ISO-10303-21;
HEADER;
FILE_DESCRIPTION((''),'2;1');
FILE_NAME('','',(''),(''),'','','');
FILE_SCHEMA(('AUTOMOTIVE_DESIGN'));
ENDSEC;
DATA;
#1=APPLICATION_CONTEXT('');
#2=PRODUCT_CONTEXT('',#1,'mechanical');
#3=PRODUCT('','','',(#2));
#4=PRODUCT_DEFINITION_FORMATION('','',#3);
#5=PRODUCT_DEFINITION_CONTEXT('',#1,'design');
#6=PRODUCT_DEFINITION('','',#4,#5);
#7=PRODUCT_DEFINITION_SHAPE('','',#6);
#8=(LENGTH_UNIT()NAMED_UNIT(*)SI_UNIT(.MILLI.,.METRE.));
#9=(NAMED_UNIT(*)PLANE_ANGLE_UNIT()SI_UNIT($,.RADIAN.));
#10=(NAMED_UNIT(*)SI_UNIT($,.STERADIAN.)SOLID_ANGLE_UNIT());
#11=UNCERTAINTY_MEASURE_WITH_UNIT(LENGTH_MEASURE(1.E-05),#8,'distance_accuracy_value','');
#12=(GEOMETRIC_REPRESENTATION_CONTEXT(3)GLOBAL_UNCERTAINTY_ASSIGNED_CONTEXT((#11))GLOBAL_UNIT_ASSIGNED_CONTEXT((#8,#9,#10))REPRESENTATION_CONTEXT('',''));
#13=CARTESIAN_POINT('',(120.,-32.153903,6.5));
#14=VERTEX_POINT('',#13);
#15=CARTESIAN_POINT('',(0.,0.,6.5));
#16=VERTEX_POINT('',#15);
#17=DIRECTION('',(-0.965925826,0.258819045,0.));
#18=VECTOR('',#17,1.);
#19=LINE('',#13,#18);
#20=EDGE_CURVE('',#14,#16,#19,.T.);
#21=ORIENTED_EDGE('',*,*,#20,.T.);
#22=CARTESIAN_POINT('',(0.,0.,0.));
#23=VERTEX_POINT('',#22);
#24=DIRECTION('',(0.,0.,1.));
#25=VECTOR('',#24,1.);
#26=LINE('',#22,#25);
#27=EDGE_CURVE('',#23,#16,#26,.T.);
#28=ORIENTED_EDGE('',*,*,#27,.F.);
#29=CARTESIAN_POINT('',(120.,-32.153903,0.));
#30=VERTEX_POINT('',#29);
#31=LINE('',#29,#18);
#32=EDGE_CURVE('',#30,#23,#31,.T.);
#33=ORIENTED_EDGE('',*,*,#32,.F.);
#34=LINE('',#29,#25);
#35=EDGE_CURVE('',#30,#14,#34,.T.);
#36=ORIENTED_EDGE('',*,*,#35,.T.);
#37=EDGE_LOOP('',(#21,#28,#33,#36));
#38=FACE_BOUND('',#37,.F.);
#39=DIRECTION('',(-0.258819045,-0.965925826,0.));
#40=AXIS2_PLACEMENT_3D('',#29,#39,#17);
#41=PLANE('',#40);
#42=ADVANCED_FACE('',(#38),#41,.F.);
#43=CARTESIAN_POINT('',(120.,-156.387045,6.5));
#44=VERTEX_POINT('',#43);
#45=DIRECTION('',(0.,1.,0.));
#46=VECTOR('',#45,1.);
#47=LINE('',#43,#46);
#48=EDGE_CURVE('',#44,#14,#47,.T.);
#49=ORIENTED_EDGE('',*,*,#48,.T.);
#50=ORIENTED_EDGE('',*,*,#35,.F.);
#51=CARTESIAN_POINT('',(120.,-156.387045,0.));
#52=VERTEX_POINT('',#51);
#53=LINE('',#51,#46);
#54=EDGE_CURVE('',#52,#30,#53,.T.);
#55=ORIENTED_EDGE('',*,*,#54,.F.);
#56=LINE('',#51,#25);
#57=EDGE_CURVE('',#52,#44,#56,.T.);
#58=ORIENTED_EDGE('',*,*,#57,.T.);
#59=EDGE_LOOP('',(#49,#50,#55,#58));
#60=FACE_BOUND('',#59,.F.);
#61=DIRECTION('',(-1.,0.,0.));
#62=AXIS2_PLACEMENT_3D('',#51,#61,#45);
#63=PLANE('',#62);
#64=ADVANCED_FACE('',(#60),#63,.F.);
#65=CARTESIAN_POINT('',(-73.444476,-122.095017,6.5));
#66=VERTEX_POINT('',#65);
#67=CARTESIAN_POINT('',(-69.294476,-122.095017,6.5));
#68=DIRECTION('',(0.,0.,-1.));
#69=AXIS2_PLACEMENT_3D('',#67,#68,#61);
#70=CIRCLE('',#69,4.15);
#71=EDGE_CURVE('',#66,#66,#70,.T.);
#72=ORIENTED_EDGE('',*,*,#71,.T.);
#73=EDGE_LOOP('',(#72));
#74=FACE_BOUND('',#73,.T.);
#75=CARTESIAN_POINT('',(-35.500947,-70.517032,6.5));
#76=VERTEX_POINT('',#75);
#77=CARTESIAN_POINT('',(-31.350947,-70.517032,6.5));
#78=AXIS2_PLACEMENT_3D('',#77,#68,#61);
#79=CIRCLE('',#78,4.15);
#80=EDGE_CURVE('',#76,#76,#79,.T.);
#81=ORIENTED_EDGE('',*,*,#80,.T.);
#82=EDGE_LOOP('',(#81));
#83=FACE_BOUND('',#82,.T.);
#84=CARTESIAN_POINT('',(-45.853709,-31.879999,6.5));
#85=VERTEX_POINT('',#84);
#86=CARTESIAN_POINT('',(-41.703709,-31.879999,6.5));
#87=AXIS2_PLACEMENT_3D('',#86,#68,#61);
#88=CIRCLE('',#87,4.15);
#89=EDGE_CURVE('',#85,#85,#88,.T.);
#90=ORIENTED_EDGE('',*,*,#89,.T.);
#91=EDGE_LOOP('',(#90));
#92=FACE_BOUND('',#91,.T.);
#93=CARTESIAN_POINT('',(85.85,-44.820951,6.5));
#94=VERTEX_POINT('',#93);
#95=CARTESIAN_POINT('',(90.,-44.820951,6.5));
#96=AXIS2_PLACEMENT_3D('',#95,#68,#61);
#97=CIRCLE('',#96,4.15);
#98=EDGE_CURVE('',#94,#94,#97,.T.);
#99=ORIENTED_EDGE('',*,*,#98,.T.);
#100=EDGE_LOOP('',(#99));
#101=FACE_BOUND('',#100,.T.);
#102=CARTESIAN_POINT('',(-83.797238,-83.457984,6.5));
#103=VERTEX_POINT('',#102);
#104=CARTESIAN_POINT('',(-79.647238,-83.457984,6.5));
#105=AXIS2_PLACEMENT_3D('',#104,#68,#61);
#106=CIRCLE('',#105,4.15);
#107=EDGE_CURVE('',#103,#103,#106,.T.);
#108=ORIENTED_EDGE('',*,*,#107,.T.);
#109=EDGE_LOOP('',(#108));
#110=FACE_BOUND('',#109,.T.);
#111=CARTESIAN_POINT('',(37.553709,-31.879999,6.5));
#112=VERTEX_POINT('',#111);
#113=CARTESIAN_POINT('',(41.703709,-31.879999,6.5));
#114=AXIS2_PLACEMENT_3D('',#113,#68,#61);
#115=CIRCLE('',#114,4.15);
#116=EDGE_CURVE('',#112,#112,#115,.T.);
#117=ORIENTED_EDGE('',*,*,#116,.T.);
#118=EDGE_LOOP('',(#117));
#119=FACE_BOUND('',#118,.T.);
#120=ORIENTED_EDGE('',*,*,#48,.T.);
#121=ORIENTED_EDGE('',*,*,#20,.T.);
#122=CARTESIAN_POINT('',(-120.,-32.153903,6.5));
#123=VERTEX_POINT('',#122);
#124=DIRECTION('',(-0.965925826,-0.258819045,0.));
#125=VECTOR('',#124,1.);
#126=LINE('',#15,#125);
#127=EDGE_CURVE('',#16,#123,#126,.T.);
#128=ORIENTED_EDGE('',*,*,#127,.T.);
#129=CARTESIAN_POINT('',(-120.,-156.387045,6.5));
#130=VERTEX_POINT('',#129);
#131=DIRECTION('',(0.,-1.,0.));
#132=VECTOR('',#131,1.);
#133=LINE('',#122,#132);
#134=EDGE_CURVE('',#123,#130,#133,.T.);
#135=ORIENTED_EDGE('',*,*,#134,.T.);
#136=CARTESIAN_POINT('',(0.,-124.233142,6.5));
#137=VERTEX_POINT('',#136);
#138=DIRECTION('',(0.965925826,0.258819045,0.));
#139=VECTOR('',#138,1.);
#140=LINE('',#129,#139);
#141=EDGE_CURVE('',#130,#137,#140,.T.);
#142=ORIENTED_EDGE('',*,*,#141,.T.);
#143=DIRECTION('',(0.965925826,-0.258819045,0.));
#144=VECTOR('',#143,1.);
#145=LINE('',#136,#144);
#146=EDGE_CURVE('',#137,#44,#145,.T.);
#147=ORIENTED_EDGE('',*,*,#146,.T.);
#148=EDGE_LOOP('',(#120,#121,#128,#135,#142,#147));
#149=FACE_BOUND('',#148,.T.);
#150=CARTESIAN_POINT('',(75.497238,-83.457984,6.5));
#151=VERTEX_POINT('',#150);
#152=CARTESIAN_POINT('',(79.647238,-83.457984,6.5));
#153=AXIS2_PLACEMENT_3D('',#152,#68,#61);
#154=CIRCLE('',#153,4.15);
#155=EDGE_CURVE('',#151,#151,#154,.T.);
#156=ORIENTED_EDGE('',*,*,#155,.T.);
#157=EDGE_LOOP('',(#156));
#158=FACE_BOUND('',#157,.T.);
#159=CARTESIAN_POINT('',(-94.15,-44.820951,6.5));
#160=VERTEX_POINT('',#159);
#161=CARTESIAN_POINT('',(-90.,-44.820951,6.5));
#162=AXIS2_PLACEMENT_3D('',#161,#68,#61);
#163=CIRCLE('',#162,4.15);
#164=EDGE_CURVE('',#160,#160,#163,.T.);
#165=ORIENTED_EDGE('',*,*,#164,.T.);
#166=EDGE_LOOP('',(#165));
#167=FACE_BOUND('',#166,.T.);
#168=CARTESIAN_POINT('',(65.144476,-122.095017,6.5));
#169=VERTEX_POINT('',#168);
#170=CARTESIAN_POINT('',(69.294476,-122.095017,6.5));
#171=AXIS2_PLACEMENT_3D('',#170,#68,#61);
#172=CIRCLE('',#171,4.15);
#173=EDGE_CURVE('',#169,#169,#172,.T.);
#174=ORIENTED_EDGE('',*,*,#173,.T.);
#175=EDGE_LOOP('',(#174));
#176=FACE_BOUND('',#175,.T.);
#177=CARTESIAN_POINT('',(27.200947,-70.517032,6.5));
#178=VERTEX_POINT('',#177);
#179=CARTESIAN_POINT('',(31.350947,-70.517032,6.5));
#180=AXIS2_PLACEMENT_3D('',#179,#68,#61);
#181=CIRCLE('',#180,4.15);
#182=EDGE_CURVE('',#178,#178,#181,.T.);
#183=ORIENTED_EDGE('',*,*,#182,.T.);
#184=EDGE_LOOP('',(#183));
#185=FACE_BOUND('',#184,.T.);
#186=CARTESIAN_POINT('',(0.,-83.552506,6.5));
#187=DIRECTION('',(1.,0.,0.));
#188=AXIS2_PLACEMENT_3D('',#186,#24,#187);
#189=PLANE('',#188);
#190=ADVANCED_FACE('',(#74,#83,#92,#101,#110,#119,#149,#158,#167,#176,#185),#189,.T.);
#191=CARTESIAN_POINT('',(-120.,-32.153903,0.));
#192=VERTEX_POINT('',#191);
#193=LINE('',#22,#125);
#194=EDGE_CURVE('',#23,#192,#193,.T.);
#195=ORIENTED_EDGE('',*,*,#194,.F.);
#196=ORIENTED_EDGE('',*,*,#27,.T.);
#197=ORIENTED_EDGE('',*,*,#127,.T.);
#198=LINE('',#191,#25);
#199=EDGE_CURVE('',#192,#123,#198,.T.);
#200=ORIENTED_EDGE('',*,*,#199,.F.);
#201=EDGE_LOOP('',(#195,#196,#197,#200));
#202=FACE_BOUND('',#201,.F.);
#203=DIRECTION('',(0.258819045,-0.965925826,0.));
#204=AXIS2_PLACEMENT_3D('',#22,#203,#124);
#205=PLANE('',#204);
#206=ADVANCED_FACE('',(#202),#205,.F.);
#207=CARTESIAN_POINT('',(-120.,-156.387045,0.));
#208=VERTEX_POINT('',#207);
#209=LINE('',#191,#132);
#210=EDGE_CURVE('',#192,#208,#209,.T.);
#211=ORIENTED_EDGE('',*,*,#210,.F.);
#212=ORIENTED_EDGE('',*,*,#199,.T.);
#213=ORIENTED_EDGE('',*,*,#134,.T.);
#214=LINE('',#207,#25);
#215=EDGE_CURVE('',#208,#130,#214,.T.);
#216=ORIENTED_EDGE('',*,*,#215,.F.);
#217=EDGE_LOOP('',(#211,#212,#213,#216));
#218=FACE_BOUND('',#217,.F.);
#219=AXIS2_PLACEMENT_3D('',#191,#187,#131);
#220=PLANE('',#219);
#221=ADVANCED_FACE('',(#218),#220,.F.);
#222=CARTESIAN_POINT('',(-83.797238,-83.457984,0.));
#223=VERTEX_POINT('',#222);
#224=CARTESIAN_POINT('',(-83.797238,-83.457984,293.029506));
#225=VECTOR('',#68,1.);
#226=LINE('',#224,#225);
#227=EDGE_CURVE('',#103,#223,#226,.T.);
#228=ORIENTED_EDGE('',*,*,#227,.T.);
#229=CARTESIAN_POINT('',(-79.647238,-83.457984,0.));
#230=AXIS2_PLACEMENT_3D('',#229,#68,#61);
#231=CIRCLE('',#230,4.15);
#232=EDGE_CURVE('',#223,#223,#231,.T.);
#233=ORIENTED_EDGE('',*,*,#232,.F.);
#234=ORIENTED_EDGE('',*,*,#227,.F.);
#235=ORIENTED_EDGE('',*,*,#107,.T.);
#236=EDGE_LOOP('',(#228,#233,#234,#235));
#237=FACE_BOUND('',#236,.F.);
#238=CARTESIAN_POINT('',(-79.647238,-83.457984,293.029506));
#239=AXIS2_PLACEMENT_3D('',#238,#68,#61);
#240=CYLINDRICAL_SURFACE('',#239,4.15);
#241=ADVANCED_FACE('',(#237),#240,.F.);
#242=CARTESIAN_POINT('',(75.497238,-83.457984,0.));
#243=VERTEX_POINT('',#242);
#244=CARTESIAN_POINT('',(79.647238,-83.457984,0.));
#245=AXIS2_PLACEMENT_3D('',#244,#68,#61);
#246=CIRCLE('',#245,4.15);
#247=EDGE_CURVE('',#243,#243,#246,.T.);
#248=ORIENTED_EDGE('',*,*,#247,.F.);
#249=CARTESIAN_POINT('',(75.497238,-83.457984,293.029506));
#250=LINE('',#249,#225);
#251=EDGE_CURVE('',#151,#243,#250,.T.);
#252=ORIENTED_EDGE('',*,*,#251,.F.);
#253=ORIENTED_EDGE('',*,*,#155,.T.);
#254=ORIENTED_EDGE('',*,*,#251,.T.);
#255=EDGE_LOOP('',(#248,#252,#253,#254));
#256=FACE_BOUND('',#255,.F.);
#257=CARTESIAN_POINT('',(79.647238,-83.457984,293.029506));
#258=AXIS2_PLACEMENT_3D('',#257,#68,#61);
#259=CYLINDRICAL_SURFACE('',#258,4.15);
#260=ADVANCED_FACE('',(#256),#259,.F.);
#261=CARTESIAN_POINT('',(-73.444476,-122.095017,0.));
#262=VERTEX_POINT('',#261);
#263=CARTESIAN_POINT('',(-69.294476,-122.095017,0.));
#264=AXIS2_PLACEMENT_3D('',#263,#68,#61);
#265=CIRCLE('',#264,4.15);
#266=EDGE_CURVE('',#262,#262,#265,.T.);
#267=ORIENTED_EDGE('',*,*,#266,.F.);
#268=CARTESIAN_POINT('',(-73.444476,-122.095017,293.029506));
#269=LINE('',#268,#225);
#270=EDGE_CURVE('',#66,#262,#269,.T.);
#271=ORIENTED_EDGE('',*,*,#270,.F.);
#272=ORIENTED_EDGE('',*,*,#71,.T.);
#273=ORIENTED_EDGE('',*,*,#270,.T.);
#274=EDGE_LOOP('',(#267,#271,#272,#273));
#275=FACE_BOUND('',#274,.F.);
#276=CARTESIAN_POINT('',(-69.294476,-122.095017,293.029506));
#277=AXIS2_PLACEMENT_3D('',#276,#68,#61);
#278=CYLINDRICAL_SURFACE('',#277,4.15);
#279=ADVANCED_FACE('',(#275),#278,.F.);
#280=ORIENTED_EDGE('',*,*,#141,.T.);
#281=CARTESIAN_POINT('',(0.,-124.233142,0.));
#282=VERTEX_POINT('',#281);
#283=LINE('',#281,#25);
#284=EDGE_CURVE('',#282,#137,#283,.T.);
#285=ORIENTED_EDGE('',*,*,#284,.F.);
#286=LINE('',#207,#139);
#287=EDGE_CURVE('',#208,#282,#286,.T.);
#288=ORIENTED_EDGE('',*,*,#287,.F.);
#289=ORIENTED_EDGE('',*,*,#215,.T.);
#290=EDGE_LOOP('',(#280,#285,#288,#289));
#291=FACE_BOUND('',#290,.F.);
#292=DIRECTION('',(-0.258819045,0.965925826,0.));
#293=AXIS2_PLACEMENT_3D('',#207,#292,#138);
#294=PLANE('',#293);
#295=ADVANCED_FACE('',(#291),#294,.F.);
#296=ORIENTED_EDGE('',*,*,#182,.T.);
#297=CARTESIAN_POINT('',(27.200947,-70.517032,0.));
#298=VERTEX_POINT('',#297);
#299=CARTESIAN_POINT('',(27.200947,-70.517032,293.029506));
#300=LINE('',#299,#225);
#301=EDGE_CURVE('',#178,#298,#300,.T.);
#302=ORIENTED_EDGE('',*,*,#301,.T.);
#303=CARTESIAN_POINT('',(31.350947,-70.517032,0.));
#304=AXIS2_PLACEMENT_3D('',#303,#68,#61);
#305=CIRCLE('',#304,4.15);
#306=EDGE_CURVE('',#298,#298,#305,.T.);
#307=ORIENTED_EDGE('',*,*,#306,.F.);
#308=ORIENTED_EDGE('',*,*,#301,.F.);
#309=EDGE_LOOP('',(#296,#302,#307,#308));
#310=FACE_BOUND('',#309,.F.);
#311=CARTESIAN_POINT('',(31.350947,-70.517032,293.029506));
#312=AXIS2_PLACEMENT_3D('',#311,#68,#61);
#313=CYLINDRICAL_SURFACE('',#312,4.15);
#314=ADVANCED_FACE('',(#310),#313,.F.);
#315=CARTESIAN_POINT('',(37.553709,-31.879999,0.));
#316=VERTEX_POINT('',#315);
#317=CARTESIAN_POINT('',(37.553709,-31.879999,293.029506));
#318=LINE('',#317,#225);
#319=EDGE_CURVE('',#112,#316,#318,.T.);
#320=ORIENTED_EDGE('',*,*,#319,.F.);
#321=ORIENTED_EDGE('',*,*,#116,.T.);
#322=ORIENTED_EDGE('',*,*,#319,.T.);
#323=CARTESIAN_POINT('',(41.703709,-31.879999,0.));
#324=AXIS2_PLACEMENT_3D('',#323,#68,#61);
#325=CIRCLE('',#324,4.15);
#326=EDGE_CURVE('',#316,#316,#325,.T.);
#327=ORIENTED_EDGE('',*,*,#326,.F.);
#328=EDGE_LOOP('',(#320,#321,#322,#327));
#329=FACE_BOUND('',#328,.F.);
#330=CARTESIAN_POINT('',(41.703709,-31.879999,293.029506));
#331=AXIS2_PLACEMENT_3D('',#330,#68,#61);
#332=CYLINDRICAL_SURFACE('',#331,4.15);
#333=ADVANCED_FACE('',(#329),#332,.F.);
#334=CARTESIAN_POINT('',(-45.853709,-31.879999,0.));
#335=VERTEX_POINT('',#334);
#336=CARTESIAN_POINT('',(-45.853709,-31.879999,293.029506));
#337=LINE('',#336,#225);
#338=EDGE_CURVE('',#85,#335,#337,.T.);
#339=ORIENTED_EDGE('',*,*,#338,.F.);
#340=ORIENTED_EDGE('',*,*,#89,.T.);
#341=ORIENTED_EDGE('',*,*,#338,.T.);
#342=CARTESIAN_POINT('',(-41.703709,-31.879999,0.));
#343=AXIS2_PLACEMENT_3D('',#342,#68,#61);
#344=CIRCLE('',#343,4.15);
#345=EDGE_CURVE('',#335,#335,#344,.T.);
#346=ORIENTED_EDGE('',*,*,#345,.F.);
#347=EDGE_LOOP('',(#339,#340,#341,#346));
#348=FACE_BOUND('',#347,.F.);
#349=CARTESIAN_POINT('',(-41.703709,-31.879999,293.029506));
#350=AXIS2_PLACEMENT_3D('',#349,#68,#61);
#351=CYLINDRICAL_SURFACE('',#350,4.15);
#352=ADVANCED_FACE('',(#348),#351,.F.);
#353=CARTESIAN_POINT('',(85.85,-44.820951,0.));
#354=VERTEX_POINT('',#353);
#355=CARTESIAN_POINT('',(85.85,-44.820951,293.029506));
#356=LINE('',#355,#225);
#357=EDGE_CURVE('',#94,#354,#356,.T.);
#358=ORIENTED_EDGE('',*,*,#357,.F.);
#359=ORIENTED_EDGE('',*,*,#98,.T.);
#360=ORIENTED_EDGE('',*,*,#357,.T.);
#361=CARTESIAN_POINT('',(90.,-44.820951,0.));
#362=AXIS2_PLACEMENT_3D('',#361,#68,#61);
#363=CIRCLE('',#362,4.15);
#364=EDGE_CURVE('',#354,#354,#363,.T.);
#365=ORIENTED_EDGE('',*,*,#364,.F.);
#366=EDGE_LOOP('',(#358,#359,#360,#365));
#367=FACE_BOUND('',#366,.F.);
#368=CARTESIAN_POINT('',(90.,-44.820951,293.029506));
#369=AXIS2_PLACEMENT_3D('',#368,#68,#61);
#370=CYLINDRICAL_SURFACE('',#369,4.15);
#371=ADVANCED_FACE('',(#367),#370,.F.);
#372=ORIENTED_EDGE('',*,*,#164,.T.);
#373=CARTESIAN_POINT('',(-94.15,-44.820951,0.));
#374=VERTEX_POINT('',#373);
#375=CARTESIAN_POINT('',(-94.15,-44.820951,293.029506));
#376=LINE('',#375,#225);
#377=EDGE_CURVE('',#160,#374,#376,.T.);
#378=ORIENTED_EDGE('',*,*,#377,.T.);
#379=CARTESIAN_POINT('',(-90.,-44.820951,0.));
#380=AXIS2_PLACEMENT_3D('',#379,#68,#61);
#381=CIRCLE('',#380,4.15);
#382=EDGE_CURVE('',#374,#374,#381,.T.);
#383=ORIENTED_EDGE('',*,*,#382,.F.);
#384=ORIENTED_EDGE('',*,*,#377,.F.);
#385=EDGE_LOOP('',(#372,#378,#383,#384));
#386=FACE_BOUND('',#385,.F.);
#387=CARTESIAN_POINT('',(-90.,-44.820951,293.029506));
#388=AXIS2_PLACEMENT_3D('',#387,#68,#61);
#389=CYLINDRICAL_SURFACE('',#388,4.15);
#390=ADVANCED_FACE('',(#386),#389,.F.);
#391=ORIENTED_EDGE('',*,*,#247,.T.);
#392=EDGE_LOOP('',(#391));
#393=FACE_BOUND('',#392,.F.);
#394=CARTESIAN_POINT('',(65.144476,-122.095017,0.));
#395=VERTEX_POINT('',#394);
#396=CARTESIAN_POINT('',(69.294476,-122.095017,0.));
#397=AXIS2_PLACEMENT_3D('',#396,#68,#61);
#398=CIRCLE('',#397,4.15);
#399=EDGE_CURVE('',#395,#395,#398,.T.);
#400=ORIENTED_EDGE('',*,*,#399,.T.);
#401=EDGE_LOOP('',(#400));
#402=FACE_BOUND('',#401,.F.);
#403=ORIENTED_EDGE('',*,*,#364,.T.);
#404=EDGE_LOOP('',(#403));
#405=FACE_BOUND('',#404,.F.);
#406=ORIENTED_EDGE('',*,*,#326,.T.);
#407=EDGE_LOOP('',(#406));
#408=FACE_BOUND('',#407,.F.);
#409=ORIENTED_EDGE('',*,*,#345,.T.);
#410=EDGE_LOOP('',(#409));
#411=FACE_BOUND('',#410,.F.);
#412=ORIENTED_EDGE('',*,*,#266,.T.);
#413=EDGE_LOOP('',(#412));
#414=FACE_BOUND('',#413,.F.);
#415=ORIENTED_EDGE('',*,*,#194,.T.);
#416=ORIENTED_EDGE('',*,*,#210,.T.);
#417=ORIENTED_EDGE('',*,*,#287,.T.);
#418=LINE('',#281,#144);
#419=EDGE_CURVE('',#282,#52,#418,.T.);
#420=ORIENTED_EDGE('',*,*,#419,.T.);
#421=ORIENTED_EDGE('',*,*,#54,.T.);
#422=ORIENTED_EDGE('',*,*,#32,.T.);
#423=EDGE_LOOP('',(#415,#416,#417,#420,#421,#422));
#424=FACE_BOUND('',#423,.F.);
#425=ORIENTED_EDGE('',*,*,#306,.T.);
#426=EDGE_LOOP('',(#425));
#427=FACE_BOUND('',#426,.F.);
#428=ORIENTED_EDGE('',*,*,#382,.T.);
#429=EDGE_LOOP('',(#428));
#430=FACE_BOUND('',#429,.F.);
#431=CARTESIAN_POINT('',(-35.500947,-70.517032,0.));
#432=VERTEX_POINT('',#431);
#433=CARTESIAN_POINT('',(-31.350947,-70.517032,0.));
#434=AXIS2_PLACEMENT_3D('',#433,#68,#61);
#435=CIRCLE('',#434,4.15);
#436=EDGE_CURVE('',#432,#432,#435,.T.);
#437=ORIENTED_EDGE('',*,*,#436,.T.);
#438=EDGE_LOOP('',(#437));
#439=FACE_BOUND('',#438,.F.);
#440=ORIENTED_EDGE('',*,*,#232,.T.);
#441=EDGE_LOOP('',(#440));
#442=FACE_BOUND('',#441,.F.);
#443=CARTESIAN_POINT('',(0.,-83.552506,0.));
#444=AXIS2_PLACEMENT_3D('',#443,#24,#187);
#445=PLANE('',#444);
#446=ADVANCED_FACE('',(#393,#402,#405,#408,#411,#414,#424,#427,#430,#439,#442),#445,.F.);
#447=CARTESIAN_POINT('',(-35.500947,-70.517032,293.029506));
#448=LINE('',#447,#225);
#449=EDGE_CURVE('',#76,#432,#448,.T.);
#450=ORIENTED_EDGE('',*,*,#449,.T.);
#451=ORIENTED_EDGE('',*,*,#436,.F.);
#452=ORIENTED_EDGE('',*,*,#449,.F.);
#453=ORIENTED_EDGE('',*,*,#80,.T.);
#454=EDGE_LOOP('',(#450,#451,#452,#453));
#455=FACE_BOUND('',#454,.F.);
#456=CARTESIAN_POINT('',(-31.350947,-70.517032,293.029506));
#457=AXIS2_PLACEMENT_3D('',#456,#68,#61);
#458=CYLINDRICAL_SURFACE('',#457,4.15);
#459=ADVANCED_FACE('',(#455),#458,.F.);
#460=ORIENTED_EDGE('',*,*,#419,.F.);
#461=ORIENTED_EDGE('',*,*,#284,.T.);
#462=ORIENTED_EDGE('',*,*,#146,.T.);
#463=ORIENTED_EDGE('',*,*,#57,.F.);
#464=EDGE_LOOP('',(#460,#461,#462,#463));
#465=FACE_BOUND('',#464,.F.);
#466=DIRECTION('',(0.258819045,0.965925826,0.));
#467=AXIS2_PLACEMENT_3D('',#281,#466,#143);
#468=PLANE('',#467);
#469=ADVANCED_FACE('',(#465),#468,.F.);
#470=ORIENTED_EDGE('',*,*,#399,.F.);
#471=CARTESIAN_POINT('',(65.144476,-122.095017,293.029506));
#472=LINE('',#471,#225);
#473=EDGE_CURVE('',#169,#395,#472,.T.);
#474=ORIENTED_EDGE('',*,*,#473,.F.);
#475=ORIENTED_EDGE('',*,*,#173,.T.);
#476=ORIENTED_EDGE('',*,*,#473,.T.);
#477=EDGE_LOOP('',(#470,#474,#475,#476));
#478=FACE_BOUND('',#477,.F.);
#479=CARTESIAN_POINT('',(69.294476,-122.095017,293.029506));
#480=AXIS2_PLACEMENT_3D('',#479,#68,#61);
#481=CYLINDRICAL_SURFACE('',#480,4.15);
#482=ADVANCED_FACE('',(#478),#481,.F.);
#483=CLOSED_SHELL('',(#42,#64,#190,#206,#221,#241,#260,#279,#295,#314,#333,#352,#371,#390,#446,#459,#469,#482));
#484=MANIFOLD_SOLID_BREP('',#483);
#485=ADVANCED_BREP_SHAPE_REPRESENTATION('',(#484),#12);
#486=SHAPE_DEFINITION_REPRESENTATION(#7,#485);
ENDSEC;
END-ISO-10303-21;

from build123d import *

# Parameters (mm, degrees)
F1_DEPTH = 6.5
F3_D     = 8.3


with BuildPart() as f1:
    # F0 (on Top) → F1 (new body)
    with BuildSketch(Plane.XY):
        Polygon((120, -32.1539030917), (0, 0), (-120, -32.1539030917), (-120, -156.3870447409), (0, -124.2331416492), (120, -156.3870447409), align=None)
    extrude(amount=F1_DEPTH)

    # F3 (through all)
    with Locations(Plane.XY.offset(6.5)):
        with Locations((-90, -44.820950927), (-41.7037086855, -31.8799986719), (-79.6472381959, -83.4579839786), (-31.3509468814, -70.5170317234), (-69.2944763918, -122.0950170301), (41.7037086855, -31.8799986719), (90, -44.820950927), (79.6472381959, -83.4579839786), (69.2944763918, -122.0950170301), (31.3509468814, -70.5170317234)):
            Hole(F3_D / 2)


solid = f1.part
